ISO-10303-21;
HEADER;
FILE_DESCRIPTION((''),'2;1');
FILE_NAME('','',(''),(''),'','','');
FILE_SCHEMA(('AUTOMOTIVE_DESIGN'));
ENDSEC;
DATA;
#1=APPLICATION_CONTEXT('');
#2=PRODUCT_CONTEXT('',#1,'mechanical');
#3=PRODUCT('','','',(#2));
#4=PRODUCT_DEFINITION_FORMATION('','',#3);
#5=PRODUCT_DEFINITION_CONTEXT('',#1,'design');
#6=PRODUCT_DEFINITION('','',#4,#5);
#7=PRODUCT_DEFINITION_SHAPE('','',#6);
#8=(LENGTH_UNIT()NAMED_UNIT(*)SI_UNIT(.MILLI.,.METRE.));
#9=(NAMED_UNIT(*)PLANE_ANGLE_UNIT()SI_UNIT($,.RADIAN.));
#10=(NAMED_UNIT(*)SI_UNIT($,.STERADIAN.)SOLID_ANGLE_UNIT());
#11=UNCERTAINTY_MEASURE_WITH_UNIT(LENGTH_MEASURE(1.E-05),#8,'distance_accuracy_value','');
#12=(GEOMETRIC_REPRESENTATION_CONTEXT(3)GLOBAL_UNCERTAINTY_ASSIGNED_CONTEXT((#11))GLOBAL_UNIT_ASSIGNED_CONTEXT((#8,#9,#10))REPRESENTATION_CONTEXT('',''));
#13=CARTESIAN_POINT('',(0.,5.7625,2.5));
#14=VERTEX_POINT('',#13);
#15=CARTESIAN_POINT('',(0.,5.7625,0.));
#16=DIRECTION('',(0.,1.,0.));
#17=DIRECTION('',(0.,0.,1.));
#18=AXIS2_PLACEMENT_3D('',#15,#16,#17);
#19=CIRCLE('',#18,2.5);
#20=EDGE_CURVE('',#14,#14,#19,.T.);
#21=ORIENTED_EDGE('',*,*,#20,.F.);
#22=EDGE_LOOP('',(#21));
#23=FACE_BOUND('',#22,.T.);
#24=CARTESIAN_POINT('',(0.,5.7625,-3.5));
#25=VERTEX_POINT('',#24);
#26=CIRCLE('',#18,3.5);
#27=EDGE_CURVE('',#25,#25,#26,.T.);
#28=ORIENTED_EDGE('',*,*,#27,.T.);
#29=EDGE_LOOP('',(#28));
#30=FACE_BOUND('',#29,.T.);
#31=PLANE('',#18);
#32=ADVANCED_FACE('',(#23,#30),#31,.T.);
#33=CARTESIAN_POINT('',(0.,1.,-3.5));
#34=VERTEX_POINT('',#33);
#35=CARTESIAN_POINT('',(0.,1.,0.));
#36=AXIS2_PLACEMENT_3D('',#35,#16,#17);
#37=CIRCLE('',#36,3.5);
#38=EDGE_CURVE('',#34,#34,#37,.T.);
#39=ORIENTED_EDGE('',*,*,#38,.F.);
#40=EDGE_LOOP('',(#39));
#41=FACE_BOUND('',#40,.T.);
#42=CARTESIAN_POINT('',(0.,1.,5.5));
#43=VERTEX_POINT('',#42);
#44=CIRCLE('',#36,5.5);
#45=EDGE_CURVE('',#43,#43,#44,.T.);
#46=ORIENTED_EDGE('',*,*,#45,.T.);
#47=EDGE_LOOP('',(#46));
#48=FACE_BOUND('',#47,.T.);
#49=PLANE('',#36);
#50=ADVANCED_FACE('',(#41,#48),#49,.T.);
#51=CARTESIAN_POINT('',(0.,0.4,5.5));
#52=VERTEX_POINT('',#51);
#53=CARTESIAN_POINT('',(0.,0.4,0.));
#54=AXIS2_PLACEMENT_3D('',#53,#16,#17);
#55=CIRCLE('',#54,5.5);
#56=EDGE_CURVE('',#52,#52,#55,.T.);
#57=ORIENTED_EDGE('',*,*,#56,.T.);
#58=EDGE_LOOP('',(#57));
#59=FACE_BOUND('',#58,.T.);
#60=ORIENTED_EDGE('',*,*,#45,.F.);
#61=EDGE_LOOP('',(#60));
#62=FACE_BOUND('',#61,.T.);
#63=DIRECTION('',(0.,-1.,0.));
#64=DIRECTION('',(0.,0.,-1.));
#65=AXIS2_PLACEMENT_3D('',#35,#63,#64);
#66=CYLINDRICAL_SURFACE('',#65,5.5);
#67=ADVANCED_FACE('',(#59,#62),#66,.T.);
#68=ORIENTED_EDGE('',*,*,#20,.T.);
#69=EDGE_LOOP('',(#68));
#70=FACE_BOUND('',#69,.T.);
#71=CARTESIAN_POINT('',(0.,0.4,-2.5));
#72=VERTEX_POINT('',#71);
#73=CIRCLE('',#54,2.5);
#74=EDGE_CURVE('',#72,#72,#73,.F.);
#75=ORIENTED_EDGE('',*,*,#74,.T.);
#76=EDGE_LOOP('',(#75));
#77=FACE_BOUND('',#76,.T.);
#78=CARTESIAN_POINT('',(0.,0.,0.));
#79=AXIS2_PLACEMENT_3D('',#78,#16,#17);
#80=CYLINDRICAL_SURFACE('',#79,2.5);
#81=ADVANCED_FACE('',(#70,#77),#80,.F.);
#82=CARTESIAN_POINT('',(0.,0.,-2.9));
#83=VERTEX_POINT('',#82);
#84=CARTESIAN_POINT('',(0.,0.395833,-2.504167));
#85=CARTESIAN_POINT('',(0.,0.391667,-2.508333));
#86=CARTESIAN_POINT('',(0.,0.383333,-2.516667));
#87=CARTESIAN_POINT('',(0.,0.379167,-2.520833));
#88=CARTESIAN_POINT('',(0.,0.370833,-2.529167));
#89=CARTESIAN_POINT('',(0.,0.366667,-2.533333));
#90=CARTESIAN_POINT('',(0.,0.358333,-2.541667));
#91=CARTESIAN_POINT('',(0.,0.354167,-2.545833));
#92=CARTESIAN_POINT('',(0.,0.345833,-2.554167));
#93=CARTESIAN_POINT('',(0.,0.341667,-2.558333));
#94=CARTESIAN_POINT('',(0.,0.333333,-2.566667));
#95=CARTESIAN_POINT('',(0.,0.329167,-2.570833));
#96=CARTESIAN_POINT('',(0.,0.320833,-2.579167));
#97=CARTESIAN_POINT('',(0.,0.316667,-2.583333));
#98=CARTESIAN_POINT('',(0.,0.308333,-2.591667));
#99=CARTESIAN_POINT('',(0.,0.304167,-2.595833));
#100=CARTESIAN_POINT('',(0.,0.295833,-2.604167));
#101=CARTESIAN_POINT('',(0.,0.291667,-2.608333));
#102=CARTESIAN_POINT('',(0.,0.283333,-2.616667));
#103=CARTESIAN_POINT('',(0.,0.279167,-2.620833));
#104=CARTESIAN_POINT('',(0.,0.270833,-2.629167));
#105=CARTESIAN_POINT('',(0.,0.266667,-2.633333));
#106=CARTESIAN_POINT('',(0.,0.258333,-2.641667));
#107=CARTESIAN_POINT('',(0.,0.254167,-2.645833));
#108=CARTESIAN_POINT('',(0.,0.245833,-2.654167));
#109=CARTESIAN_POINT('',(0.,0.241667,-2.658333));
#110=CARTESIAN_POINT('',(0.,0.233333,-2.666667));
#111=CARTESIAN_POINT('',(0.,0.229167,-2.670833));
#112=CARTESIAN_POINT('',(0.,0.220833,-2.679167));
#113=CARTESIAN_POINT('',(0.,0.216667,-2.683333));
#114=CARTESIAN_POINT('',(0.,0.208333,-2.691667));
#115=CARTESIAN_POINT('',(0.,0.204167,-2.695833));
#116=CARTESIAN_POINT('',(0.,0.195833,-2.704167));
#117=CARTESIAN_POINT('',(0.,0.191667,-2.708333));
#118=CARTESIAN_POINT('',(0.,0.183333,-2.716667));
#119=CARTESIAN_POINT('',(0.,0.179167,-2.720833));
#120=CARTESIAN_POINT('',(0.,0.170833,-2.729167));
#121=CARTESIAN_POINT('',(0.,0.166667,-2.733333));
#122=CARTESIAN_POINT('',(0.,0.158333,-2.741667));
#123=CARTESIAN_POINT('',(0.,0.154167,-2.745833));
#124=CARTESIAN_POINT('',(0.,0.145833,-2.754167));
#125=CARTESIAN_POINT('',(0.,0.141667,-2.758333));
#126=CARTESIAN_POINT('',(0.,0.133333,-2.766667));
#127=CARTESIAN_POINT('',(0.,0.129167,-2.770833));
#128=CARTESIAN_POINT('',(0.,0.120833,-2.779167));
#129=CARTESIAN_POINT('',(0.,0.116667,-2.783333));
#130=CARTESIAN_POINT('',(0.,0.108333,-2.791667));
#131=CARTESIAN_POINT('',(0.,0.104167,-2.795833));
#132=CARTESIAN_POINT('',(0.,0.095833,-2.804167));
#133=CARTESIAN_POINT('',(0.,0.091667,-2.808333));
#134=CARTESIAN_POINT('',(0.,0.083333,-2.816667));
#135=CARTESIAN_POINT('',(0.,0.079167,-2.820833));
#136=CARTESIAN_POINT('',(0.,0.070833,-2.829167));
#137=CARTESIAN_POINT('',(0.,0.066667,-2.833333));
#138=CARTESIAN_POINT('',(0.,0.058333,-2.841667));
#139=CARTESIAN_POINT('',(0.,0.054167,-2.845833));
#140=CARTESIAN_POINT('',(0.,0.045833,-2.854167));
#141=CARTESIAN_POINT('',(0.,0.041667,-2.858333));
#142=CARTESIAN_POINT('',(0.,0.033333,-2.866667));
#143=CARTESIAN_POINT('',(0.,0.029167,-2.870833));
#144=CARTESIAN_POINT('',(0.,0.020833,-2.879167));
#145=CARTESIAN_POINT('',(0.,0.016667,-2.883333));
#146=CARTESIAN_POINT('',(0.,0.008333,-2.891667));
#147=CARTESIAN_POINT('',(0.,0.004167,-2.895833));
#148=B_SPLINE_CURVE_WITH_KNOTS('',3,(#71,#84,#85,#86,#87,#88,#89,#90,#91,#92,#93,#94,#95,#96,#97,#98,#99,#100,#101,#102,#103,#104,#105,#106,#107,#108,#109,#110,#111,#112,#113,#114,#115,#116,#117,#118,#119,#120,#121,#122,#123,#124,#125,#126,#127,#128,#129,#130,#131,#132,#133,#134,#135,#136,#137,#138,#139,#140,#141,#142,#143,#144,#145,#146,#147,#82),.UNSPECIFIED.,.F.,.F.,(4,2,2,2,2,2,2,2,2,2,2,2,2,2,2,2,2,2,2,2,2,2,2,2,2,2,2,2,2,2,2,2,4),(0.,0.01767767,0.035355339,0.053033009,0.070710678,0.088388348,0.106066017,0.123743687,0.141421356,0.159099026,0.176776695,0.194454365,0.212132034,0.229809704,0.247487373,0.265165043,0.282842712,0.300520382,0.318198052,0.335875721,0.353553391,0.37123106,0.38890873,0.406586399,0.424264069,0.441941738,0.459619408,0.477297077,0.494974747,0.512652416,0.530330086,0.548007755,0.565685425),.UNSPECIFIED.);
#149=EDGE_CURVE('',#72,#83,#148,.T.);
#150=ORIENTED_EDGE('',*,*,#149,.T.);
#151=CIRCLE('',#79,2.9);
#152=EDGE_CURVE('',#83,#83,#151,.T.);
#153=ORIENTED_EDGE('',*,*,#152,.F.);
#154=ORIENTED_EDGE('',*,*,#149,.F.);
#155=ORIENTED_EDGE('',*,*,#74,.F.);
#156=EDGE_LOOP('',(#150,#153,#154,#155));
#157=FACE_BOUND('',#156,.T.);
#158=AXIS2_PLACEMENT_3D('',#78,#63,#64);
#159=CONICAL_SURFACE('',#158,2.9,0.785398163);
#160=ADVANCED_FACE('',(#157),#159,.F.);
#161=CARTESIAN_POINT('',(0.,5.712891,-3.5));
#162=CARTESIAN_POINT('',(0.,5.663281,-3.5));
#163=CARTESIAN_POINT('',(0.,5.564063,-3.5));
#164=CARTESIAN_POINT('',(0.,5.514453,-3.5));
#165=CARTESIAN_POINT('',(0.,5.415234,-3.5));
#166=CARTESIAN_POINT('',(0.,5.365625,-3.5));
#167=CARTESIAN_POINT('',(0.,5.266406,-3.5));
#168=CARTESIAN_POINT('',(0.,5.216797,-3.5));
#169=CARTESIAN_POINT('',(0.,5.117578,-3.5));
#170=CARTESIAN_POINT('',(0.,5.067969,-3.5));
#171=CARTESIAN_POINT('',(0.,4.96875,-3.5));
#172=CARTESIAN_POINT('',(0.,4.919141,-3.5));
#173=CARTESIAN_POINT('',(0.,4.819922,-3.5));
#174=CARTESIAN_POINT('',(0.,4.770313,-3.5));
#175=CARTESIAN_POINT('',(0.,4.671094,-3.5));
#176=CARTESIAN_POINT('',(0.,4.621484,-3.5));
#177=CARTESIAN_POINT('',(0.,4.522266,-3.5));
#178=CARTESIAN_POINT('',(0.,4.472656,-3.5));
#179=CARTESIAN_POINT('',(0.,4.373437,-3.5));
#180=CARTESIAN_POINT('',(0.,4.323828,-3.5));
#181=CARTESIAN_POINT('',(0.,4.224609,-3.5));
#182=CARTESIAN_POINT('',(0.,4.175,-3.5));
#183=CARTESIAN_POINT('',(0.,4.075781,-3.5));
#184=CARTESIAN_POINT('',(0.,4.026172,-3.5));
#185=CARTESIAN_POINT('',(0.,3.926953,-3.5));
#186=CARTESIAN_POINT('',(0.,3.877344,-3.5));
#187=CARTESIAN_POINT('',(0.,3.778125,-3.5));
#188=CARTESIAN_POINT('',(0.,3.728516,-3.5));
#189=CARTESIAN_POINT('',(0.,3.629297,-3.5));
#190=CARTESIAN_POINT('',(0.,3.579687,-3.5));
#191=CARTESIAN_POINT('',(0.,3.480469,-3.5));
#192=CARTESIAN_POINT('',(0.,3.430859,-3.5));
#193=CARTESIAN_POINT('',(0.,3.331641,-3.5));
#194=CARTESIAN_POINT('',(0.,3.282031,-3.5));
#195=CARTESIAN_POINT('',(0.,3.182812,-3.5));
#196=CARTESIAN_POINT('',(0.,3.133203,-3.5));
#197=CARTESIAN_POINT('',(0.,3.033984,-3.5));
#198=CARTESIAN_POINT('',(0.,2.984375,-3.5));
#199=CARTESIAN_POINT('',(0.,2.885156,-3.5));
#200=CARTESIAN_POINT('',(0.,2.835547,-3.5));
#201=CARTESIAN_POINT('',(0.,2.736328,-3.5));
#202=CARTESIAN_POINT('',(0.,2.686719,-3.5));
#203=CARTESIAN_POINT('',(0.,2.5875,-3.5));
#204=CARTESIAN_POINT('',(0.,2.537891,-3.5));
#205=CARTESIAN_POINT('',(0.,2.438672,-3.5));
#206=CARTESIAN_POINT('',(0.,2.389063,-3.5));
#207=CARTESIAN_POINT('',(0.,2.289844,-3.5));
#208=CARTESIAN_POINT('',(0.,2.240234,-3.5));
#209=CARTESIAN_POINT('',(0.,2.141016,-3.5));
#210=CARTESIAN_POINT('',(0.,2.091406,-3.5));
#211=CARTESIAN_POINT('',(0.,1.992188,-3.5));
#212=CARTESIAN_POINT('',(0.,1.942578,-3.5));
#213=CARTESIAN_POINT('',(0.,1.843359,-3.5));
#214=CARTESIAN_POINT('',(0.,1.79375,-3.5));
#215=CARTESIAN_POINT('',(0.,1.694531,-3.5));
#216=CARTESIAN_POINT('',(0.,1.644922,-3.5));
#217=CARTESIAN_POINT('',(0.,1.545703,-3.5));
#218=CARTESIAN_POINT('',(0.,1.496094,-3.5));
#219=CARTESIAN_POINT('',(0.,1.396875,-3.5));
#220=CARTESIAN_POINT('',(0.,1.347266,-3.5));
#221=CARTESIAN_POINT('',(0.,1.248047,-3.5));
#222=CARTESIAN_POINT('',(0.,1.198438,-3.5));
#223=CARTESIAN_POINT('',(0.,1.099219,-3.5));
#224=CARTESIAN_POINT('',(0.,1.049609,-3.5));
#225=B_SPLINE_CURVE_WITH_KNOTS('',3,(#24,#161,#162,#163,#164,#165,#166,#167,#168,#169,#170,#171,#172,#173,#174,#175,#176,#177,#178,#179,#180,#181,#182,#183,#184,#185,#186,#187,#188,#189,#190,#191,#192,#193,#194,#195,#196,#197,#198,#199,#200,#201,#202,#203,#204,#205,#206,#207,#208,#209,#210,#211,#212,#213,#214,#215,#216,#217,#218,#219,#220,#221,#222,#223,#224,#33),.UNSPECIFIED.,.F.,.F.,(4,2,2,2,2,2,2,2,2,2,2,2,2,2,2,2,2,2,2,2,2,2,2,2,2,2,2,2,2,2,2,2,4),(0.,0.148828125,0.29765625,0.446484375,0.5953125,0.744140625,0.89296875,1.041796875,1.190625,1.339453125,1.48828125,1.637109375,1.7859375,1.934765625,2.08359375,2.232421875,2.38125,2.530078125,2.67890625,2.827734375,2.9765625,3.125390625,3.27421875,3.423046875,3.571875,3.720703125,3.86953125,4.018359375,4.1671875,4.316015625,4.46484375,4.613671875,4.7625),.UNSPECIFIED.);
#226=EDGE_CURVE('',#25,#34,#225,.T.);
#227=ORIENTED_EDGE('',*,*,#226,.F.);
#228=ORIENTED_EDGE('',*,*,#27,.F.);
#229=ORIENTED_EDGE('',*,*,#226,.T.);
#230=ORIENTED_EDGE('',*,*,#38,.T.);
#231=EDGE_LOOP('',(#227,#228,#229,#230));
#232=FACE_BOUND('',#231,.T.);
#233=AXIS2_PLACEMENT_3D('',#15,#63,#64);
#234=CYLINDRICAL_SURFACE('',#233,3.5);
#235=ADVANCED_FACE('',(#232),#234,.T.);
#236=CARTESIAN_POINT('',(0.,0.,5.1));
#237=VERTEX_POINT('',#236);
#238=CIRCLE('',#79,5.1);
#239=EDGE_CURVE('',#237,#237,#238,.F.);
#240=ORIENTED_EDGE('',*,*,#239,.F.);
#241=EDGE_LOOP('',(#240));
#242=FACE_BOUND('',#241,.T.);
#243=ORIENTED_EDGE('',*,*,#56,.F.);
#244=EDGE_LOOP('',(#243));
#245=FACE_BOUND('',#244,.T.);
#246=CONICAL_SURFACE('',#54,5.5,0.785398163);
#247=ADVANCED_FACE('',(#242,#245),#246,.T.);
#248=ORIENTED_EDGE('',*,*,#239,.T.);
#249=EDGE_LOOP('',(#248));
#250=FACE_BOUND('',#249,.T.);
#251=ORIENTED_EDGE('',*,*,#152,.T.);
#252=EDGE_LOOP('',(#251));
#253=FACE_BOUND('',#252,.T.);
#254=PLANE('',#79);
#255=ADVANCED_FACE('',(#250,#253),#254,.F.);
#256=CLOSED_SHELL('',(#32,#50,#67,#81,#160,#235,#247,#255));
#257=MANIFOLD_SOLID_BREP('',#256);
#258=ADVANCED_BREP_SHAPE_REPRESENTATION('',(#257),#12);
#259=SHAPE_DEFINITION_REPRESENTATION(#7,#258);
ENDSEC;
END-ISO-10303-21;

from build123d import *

# Parameters (mm, degrees)
SKETCH1_R           = 5.5
BOSS_EXTRUDE1_DEPTH = 1
SKETCH2_R           = 3.5
BOSS_EXTRUDE2_DEPTH = 4.7625
SKETCH3_R           = 2.5
CUT_EXTRUDE1_DEPTH  = 10.680206932
CHAMFER1_SIZE       = 0.4


with BuildPart() as part:
    # Sketch1 → Boss-Extrude1 (new body)
    with BuildSketch(Plane(origin=(0, 0, 0), x_dir=(1, 0, 0), z_dir=(0, 1, 0))):
        with Locations(Location((0, 0, 0), (0, 0, 270))):
            Circle(SKETCH1_R)
    extrude(amount=BOSS_EXTRUDE1_DEPTH)

    # Sketch2 → Boss-Extrude2 (add)
    with BuildSketch(Plane(origin=(0, 1, 0), x_dir=(1, 0, 0), z_dir=(0, 1, 0))):
        with Locations(Location((0, 0, 0), (0, 0, 90))):
            Circle(SKETCH2_R)
    extrude(amount=BOSS_EXTRUDE2_DEPTH)

    # Sketch3 → Cut-Extrude1 (cut, through all)
    with BuildSketch(Plane(origin=(0, 5.7625, 0), x_dir=(1, 0, 0), z_dir=(0, 1, 0))):
        with Locations(Location((0, 0, 0), (0, 0, 270))):
            Circle(SKETCH3_R)
    extrude(amount=-CUT_EXTRUDE1_DEPTH, mode=Mode.SUBTRACT)

    # Chamfer1
    chamfer1_edges = [part.edges().sort_by_distance(p)[0] for p in [
        (0, 0, -2.5),
        (0, 0, -5.5),
    ]]
    chamfer(chamfer1_edges, length=CHAMFER1_SIZE)


solid = part.part
